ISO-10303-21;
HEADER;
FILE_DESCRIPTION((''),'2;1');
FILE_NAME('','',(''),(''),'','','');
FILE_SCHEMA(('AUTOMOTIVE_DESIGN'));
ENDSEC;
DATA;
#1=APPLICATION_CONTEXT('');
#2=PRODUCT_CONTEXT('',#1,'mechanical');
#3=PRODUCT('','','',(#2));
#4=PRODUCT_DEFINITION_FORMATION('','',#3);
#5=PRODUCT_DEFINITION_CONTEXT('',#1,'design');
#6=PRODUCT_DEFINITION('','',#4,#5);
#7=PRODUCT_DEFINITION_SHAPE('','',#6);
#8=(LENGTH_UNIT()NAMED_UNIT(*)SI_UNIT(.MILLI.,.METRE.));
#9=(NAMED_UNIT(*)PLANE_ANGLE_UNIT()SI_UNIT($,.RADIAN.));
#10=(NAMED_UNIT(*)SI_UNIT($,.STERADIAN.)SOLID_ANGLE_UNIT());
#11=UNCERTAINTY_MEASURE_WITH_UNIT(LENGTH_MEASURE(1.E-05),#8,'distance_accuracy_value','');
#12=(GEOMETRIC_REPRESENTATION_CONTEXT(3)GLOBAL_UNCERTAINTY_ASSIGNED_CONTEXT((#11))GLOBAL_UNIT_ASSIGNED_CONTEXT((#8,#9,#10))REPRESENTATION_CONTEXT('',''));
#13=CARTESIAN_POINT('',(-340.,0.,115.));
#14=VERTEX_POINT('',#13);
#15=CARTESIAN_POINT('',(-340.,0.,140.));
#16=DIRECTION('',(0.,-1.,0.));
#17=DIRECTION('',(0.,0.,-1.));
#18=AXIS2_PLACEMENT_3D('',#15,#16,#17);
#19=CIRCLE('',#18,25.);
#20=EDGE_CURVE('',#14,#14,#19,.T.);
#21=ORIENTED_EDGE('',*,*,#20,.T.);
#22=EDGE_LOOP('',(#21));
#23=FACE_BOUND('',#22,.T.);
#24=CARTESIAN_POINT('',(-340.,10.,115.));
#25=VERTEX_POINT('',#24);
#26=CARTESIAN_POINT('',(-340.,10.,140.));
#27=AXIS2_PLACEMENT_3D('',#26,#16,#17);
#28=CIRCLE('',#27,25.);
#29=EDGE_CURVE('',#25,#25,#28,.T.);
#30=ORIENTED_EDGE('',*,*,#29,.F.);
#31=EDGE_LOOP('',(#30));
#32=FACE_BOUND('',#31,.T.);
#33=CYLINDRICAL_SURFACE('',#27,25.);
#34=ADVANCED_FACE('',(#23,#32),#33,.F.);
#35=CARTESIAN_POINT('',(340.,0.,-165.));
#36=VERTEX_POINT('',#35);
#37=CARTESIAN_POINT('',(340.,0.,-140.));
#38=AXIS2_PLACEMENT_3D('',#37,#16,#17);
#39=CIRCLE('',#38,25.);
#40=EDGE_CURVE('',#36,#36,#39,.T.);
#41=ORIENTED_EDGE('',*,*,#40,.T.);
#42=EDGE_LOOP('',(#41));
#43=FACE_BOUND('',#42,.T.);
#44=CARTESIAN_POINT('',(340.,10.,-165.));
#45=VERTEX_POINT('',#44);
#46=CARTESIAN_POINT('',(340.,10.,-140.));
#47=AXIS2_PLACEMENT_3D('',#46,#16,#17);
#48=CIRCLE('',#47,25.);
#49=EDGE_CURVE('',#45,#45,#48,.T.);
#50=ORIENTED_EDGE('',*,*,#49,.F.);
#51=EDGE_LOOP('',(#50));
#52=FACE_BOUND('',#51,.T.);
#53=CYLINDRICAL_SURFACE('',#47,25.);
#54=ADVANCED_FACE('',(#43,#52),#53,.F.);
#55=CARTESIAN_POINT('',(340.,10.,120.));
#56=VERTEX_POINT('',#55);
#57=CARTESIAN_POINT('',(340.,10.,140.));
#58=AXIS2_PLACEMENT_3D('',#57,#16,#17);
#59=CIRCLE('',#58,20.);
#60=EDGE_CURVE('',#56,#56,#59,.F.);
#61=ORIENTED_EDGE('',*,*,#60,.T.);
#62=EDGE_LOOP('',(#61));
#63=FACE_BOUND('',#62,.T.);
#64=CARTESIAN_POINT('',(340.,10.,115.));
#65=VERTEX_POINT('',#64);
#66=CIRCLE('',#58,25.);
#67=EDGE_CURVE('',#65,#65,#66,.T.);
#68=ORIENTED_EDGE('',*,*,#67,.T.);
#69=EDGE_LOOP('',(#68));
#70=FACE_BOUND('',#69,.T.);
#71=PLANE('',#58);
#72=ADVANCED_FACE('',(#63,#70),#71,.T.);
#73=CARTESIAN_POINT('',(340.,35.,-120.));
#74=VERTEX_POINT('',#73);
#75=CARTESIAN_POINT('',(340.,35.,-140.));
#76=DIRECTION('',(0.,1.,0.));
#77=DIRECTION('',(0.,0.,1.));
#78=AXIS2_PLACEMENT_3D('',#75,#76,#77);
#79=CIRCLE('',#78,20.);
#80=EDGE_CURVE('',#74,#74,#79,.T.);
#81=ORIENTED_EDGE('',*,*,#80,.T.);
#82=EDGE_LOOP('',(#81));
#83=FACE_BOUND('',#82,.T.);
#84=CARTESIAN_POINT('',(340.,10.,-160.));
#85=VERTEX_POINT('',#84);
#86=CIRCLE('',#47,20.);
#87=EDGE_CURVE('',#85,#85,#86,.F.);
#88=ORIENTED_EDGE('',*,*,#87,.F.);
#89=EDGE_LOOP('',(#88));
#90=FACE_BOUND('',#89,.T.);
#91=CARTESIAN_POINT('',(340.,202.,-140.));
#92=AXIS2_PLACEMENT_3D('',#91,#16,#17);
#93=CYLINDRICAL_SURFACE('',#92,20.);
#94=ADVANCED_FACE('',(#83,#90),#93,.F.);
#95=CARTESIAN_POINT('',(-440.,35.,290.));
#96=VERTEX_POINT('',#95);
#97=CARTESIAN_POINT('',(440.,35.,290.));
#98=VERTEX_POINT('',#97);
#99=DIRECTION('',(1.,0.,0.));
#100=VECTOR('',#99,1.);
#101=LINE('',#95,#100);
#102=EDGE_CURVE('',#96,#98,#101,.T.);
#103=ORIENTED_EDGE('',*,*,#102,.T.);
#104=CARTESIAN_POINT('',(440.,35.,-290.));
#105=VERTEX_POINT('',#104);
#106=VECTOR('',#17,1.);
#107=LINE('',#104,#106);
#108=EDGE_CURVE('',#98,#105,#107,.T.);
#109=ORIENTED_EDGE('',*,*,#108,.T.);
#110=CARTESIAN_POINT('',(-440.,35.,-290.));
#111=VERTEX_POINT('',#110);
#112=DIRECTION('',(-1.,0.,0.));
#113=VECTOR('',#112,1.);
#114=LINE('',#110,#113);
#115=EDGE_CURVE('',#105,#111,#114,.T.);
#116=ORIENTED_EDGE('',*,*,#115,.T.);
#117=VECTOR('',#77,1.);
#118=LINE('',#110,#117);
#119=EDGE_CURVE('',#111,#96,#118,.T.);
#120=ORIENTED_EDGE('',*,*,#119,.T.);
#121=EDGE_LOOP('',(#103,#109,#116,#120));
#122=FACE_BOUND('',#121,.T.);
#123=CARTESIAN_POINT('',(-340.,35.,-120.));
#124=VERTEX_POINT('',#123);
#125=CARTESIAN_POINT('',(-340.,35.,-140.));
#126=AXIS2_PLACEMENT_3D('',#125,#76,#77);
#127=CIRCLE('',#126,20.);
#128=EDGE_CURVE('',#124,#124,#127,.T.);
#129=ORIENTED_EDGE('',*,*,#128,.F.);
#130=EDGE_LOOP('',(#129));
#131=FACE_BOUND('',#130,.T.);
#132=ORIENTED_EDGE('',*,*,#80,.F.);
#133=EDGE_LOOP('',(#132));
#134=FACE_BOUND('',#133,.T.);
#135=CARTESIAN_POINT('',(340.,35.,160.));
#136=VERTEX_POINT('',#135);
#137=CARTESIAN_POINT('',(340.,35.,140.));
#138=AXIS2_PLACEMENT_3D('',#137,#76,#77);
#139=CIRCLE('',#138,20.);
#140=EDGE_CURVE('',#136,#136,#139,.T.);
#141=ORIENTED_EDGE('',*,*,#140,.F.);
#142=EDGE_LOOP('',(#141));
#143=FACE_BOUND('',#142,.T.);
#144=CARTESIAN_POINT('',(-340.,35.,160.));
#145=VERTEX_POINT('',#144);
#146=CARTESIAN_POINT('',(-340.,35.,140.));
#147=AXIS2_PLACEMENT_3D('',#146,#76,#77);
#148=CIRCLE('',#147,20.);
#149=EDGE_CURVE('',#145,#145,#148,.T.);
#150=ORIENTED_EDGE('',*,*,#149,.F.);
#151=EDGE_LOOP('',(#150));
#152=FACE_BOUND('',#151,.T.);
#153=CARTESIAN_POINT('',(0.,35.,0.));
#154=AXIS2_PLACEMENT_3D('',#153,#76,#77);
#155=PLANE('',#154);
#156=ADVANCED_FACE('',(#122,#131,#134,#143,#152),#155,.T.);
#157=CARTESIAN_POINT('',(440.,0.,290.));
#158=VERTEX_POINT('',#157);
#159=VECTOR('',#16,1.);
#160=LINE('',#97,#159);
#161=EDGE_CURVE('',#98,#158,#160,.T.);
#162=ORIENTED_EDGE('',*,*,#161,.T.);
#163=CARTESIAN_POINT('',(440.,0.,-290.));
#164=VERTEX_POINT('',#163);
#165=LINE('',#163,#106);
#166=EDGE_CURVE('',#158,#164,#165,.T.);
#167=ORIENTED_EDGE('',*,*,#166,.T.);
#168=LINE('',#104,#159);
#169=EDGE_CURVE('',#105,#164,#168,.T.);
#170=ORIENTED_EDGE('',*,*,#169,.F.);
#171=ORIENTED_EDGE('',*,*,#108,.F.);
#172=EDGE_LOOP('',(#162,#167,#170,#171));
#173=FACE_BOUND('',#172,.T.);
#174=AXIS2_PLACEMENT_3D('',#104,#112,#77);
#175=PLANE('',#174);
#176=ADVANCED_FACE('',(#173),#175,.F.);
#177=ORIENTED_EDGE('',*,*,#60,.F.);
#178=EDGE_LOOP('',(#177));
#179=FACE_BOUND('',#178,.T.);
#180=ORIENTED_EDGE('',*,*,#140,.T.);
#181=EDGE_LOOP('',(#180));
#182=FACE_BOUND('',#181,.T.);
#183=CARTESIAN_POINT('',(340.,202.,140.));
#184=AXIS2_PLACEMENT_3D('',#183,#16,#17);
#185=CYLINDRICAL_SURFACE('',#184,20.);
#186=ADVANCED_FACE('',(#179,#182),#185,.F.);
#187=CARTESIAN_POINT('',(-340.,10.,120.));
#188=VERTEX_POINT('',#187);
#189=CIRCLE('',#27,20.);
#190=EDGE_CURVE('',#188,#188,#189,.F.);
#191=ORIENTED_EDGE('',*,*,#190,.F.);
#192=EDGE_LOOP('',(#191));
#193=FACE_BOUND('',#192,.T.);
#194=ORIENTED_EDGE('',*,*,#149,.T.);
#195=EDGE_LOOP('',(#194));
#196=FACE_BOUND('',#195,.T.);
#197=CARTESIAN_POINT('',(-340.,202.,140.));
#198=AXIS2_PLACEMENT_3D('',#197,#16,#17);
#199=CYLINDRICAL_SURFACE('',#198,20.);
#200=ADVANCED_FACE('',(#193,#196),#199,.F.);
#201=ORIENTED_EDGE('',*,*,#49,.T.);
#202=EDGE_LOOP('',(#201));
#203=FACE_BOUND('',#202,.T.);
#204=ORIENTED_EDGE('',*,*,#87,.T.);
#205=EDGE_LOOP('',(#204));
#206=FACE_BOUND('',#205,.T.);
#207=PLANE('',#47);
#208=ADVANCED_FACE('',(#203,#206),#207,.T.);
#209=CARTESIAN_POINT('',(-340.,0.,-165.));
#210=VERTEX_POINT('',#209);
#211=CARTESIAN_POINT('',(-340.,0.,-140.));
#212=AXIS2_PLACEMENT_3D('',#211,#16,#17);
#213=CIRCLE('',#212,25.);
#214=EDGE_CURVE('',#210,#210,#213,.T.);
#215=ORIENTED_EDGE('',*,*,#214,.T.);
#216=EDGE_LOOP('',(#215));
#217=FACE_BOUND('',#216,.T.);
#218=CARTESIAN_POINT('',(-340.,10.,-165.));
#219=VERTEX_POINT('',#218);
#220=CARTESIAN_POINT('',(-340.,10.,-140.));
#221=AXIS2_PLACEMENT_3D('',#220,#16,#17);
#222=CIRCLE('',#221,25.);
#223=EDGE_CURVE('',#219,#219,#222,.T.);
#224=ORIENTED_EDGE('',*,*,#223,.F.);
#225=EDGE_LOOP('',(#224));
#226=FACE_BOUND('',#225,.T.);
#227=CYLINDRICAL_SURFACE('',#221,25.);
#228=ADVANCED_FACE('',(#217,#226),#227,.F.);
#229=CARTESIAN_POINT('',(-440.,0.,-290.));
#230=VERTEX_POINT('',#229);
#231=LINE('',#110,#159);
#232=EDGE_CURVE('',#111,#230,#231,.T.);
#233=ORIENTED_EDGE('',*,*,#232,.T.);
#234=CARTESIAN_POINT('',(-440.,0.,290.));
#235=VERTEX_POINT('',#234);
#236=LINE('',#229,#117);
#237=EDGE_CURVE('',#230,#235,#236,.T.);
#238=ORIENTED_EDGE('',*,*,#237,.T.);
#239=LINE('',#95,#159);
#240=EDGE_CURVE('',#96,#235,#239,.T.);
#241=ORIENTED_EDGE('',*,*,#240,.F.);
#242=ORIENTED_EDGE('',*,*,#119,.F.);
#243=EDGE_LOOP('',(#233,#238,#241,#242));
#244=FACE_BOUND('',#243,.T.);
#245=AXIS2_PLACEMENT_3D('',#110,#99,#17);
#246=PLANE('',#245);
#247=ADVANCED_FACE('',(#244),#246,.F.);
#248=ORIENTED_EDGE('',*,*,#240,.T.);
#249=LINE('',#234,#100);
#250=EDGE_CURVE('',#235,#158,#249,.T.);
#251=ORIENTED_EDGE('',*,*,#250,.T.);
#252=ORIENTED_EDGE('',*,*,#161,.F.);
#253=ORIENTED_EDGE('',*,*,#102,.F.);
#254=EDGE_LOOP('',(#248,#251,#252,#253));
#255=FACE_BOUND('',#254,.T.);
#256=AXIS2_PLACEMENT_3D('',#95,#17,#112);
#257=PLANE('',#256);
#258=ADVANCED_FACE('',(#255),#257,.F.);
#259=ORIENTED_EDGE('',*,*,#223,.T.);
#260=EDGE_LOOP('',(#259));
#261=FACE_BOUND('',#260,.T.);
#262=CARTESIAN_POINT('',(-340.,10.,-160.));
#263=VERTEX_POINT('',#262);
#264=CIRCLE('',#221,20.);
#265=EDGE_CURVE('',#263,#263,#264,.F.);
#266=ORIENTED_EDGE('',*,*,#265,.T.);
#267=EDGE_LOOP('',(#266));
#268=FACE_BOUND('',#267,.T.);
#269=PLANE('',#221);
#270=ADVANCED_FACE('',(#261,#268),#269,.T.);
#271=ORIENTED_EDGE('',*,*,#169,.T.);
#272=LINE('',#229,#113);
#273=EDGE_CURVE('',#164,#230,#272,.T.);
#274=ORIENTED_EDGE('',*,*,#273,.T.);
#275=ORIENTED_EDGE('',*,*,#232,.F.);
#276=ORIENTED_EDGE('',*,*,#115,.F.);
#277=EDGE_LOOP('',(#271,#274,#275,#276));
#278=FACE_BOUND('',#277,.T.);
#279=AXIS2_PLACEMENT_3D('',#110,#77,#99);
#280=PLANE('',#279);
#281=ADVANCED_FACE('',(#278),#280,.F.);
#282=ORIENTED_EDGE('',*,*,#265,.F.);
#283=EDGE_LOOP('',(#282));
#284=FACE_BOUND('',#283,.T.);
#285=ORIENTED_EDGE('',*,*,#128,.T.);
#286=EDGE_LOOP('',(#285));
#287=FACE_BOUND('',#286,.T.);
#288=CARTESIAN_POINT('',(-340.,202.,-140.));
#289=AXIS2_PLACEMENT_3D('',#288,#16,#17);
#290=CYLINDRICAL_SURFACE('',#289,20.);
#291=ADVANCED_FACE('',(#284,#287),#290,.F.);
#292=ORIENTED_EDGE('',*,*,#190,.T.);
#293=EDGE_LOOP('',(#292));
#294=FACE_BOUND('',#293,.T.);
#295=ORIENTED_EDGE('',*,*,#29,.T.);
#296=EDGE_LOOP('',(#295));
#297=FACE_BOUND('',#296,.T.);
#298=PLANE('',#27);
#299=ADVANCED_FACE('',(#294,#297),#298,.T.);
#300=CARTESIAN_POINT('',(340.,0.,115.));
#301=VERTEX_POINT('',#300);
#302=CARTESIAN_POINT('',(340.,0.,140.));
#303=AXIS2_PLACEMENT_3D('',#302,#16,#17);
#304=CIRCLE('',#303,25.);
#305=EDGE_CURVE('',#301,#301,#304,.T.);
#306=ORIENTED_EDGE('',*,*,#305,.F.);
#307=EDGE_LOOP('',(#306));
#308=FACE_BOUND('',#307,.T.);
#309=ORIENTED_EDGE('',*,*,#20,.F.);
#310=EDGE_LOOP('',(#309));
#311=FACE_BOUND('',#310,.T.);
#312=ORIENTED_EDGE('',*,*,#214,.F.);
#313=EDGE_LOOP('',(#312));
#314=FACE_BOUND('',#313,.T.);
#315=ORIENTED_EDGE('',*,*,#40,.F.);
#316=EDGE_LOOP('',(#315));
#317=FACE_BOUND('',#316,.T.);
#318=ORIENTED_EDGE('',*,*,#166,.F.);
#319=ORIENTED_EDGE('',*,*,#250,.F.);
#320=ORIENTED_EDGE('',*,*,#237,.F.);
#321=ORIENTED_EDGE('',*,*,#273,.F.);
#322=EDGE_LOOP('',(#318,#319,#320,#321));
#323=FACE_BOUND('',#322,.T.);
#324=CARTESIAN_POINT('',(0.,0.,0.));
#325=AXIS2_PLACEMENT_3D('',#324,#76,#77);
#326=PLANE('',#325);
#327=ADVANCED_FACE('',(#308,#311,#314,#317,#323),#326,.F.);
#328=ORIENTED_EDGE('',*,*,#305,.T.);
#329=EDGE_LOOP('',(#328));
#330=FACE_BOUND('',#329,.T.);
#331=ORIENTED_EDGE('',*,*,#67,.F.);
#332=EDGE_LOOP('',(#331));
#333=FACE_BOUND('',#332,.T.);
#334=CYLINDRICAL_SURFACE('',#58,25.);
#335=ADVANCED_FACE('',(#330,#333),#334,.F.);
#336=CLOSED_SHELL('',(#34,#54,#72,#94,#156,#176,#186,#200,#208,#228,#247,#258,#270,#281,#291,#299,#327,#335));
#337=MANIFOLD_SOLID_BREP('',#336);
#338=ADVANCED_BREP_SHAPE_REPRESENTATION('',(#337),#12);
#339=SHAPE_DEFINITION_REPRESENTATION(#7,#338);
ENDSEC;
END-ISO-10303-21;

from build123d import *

# Parameters (mm, degrees)
SKETCH1_W           = 880
SKETCH1_H           = 580
BOSS_EXTRUDE1_DEPTH = 35
SKETCH2_R           = 20
CUT_EXTRUDE1_DEPTH  = 202
SKETCH3_R           = 25
CUT_EXTRUDE2_DEPTH  = 10


with BuildPart() as part:
    # Sketch1 → Boss-Extrude1 (new body)
    with BuildSketch(Plane(origin=(0, 0, 0), x_dir=(1, 0, 0), z_dir=(0, 1, 0))):
        Rectangle(SKETCH1_W, SKETCH1_H)
    extrude(amount=BOSS_EXTRUDE1_DEPTH)

    # Sketch2 → Cut-Extrude1 (cut)
    with BuildSketch(Plane.XZ):
        with Locations(Location((-340, 140, 0), (0, 0, 270))):
            Circle(SKETCH2_R)
        with Locations(Location((340, 140, 0), (0, 0, 270))):
            Circle(SKETCH2_R)
        with Locations(Location((340, -140, 0), (0, 0, 90))):
            Circle(SKETCH2_R)
        with Locations(Location((-340, -140, 0), (0, 0, 90))):
            Circle(SKETCH2_R)
    extrude(amount=-CUT_EXTRUDE1_DEPTH, mode=Mode.SUBTRACT)

    # Sketch3 → Cut-Extrude2 (cut)
    with BuildSketch(Plane.XZ):
        with Locations(Location((-340, 140, 0), (0, 0, 270))):
            Circle(SKETCH3_R)
        with Locations(Location((340, 140, 0), (0, 0, 270))):
            Circle(SKETCH3_R)
        with Locations(Location((340, -140, 0), (0, 0, 270))):
            Circle(SKETCH3_R)
        with Locations(Location((-340, -140, 0), (0, 0, 270))):
            Circle(SKETCH3_R)
    extrude(amount=-CUT_EXTRUDE2_DEPTH, mode=Mode.SUBTRACT)


solid = part.part
